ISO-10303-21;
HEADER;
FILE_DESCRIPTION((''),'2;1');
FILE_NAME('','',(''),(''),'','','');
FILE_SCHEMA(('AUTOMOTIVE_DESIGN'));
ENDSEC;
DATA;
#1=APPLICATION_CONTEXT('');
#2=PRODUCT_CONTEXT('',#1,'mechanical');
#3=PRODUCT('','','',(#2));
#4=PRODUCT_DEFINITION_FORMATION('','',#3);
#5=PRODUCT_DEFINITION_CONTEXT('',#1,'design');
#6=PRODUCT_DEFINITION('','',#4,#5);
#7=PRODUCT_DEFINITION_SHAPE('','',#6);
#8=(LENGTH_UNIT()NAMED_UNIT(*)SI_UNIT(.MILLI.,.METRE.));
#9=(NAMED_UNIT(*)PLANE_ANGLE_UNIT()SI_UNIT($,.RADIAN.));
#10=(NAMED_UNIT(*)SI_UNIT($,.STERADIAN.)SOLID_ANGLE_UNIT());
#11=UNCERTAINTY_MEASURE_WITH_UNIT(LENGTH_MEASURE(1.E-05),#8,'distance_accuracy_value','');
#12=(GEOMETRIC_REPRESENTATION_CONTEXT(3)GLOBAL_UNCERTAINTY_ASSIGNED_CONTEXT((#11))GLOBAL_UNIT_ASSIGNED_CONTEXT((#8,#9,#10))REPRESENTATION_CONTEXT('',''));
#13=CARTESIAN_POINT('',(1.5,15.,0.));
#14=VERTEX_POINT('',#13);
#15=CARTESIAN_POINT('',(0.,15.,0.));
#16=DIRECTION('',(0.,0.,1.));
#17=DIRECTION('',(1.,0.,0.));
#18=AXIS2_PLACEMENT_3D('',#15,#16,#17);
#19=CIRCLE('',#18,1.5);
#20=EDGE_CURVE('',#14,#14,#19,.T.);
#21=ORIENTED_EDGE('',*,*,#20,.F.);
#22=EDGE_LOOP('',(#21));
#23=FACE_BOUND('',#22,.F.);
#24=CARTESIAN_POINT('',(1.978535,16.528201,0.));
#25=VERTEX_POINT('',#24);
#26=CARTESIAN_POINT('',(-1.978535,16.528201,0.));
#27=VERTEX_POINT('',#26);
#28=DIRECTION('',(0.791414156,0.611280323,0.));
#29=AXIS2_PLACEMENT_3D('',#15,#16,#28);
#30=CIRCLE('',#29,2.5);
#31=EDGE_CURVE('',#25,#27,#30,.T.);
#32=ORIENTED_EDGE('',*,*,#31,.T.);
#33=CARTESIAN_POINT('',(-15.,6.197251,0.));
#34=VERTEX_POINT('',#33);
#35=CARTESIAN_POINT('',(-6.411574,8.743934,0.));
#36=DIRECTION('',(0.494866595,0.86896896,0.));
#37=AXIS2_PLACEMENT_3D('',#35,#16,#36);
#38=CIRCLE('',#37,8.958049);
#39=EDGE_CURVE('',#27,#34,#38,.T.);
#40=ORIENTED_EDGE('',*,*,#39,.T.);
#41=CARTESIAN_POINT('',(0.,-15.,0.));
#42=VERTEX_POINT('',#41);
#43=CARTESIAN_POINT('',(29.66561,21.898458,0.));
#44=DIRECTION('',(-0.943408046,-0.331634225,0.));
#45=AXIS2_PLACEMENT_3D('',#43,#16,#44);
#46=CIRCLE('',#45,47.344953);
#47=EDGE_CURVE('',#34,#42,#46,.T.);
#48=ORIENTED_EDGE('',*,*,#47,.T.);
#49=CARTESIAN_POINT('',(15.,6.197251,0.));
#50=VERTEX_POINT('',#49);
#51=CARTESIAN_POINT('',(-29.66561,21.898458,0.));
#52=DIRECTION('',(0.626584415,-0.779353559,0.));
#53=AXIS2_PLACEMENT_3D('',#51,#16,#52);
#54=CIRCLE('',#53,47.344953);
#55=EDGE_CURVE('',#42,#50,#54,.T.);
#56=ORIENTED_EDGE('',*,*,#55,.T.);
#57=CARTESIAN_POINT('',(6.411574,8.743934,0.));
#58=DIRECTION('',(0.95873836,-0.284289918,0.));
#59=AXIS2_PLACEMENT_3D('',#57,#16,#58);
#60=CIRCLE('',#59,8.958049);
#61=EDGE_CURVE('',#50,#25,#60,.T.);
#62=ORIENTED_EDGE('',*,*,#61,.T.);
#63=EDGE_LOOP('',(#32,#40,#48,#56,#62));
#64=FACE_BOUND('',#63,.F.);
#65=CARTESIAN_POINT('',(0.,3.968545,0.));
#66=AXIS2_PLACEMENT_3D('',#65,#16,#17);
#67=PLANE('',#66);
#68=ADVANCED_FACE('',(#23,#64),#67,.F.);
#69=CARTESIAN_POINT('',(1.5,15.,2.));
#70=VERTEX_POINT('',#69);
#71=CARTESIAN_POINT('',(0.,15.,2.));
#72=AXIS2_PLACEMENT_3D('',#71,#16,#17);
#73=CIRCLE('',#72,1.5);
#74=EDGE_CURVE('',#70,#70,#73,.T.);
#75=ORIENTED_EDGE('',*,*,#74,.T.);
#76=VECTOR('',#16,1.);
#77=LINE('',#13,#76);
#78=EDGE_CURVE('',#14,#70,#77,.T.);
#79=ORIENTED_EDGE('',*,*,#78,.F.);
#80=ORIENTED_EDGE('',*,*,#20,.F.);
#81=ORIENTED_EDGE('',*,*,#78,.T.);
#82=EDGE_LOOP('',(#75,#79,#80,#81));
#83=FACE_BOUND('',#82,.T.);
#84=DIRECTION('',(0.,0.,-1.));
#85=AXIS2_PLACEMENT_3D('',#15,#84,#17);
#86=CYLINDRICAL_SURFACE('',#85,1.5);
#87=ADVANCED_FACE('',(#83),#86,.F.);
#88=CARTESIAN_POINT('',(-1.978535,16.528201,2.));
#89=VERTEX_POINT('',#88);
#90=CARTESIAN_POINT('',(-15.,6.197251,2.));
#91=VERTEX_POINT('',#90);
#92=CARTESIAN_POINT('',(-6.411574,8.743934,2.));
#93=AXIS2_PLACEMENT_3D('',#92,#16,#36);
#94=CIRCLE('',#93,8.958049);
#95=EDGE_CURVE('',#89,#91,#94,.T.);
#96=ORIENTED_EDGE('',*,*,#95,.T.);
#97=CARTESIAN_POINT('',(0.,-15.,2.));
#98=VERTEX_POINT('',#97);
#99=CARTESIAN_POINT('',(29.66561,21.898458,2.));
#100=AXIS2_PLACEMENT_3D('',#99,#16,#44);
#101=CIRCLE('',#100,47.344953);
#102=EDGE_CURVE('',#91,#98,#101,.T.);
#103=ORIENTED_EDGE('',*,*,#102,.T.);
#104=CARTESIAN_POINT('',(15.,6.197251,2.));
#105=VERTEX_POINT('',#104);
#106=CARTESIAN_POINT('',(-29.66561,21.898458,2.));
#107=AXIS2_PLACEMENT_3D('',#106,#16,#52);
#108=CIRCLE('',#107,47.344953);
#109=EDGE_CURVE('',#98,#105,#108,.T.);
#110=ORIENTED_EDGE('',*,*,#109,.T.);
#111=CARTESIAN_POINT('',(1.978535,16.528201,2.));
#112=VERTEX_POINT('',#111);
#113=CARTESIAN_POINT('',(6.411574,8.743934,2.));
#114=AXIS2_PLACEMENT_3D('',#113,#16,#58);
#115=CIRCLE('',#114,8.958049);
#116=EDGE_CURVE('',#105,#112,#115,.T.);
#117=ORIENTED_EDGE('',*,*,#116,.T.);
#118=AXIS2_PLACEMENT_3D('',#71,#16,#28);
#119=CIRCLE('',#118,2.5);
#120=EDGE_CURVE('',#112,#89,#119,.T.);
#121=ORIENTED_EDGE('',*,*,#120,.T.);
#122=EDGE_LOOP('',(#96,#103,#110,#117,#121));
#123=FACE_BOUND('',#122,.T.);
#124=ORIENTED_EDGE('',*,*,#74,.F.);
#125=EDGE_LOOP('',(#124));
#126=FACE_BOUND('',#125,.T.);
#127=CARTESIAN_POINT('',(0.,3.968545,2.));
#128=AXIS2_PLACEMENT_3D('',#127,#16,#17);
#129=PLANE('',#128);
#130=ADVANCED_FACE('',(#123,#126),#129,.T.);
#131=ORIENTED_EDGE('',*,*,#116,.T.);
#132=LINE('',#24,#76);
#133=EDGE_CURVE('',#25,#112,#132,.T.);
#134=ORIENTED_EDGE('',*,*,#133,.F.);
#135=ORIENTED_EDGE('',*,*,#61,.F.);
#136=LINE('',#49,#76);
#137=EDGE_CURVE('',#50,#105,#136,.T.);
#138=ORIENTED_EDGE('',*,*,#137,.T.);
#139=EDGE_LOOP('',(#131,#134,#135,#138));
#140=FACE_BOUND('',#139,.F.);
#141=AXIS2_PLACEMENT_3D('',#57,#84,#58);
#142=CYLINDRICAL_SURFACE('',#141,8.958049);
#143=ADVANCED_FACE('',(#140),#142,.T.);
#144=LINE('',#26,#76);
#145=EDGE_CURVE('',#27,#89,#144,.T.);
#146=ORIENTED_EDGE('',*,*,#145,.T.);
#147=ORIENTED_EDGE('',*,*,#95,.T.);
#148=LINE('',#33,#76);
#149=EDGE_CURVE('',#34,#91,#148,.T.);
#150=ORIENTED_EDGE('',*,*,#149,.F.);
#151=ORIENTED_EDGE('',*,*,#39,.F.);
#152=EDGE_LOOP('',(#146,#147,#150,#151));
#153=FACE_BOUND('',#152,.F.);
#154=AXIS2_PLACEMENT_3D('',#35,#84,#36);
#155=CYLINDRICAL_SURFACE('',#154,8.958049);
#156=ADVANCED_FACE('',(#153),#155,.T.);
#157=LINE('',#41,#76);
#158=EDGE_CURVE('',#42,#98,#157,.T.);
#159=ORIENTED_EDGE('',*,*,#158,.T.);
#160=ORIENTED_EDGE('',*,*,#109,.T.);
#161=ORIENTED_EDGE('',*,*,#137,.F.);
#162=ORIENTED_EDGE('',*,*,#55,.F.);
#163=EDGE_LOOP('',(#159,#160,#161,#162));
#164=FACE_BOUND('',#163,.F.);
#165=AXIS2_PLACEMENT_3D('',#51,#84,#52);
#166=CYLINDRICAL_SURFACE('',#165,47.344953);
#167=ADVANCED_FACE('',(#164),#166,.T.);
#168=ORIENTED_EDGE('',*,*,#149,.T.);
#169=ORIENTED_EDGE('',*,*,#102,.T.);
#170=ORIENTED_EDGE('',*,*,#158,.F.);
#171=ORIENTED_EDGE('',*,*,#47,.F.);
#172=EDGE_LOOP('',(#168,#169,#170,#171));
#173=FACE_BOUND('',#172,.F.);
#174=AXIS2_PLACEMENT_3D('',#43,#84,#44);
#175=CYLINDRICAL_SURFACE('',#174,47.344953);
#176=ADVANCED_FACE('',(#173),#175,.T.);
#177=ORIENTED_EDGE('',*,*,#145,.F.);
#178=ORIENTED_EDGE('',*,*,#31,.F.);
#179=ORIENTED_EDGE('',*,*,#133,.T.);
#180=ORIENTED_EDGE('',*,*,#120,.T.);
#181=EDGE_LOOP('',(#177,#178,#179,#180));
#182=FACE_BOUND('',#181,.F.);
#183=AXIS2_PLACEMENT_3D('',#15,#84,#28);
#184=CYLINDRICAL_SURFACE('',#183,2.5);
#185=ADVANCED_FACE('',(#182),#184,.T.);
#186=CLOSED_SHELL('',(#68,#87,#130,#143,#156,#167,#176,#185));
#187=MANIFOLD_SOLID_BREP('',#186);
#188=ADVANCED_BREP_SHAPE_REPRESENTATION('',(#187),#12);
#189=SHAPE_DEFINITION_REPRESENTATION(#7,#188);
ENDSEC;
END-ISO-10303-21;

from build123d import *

# Parameters (mm, degrees)
F0_R     = 1.5
F1_DEPTH = 2


with BuildPart() as f1:
    # F0 (on Top) → F1 (new body)
    with BuildSketch(Plane.XY):
        with BuildLine():
            ThreePointArc((-1.978535, 16.528201), (-11.979244, 15.761605), (-15, 6.197251))
            ThreePointArc((-15, 6.197251), (-8.981685, -5.449873), (0, -15))
            ThreePointArc((0, -15), (8.981685, -5.449873), (15, 6.197251))
            ThreePointArc((15, 6.197251), (11.979244, 15.761605), (1.978535, 16.528201))
            ThreePointArc((1.978535, 16.528201), (0, 17.5), (-1.978535, 16.528201))
        make_face()
        with Locations((0, 15)):
            Circle(F0_R, mode=Mode.SUBTRACT)
    extrude(amount=F1_DEPTH)


solid = f1.part
